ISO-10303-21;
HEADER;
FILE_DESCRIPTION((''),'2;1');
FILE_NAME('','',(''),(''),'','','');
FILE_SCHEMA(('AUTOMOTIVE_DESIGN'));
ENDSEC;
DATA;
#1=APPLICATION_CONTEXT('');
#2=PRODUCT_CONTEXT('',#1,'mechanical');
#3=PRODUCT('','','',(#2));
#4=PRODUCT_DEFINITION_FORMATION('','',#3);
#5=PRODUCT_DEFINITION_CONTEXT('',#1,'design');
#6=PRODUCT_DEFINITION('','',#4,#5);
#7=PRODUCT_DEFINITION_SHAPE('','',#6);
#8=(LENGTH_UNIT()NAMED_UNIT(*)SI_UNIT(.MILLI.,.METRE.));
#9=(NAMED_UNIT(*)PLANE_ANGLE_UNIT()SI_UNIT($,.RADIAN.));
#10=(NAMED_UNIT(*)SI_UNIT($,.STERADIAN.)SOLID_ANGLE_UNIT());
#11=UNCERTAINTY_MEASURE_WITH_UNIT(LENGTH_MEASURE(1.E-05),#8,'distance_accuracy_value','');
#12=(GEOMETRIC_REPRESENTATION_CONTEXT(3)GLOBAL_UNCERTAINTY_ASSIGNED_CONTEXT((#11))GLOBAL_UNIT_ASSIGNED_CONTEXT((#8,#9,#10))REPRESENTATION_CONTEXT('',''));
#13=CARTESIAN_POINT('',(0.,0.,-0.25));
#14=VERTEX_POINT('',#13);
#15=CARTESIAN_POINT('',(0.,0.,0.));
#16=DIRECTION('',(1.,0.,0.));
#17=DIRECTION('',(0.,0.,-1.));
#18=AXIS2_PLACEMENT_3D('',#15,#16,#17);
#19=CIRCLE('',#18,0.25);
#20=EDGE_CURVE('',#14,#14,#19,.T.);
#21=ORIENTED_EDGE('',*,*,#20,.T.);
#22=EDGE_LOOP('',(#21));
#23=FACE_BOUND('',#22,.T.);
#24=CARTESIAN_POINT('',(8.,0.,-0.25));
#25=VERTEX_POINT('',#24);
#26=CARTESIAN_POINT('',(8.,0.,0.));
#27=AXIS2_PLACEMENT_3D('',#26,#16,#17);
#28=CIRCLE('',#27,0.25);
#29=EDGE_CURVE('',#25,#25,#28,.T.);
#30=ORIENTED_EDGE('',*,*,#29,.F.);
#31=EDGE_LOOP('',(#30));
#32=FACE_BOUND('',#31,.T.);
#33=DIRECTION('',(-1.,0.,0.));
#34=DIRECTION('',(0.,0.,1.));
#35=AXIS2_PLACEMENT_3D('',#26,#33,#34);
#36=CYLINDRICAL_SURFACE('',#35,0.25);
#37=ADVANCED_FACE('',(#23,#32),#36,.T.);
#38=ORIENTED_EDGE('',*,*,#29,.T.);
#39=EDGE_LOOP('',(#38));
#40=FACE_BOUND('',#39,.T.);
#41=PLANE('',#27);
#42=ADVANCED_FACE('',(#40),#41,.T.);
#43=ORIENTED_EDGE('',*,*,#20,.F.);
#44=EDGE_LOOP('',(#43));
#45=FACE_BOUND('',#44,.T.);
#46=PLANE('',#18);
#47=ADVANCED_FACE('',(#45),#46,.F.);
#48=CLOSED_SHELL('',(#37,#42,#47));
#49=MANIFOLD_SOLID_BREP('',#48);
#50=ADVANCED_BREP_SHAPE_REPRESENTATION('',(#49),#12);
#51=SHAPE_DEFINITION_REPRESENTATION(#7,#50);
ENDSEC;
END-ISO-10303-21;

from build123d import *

# Parameters (mm, degrees)
SKETCH1_R           = 0.25
BOSS_EXTRUDE1_DEPTH = 8


with BuildPart() as part:
    # Sketch1 → Boss-Extrude1 (new body)
    with BuildSketch(Plane(origin=(0, 0, 0), x_dir=(0, 0, -1), z_dir=(1, 0, 0))):
        Circle(SKETCH1_R)
    extrude(amount=BOSS_EXTRUDE1_DEPTH)


solid = part.part
